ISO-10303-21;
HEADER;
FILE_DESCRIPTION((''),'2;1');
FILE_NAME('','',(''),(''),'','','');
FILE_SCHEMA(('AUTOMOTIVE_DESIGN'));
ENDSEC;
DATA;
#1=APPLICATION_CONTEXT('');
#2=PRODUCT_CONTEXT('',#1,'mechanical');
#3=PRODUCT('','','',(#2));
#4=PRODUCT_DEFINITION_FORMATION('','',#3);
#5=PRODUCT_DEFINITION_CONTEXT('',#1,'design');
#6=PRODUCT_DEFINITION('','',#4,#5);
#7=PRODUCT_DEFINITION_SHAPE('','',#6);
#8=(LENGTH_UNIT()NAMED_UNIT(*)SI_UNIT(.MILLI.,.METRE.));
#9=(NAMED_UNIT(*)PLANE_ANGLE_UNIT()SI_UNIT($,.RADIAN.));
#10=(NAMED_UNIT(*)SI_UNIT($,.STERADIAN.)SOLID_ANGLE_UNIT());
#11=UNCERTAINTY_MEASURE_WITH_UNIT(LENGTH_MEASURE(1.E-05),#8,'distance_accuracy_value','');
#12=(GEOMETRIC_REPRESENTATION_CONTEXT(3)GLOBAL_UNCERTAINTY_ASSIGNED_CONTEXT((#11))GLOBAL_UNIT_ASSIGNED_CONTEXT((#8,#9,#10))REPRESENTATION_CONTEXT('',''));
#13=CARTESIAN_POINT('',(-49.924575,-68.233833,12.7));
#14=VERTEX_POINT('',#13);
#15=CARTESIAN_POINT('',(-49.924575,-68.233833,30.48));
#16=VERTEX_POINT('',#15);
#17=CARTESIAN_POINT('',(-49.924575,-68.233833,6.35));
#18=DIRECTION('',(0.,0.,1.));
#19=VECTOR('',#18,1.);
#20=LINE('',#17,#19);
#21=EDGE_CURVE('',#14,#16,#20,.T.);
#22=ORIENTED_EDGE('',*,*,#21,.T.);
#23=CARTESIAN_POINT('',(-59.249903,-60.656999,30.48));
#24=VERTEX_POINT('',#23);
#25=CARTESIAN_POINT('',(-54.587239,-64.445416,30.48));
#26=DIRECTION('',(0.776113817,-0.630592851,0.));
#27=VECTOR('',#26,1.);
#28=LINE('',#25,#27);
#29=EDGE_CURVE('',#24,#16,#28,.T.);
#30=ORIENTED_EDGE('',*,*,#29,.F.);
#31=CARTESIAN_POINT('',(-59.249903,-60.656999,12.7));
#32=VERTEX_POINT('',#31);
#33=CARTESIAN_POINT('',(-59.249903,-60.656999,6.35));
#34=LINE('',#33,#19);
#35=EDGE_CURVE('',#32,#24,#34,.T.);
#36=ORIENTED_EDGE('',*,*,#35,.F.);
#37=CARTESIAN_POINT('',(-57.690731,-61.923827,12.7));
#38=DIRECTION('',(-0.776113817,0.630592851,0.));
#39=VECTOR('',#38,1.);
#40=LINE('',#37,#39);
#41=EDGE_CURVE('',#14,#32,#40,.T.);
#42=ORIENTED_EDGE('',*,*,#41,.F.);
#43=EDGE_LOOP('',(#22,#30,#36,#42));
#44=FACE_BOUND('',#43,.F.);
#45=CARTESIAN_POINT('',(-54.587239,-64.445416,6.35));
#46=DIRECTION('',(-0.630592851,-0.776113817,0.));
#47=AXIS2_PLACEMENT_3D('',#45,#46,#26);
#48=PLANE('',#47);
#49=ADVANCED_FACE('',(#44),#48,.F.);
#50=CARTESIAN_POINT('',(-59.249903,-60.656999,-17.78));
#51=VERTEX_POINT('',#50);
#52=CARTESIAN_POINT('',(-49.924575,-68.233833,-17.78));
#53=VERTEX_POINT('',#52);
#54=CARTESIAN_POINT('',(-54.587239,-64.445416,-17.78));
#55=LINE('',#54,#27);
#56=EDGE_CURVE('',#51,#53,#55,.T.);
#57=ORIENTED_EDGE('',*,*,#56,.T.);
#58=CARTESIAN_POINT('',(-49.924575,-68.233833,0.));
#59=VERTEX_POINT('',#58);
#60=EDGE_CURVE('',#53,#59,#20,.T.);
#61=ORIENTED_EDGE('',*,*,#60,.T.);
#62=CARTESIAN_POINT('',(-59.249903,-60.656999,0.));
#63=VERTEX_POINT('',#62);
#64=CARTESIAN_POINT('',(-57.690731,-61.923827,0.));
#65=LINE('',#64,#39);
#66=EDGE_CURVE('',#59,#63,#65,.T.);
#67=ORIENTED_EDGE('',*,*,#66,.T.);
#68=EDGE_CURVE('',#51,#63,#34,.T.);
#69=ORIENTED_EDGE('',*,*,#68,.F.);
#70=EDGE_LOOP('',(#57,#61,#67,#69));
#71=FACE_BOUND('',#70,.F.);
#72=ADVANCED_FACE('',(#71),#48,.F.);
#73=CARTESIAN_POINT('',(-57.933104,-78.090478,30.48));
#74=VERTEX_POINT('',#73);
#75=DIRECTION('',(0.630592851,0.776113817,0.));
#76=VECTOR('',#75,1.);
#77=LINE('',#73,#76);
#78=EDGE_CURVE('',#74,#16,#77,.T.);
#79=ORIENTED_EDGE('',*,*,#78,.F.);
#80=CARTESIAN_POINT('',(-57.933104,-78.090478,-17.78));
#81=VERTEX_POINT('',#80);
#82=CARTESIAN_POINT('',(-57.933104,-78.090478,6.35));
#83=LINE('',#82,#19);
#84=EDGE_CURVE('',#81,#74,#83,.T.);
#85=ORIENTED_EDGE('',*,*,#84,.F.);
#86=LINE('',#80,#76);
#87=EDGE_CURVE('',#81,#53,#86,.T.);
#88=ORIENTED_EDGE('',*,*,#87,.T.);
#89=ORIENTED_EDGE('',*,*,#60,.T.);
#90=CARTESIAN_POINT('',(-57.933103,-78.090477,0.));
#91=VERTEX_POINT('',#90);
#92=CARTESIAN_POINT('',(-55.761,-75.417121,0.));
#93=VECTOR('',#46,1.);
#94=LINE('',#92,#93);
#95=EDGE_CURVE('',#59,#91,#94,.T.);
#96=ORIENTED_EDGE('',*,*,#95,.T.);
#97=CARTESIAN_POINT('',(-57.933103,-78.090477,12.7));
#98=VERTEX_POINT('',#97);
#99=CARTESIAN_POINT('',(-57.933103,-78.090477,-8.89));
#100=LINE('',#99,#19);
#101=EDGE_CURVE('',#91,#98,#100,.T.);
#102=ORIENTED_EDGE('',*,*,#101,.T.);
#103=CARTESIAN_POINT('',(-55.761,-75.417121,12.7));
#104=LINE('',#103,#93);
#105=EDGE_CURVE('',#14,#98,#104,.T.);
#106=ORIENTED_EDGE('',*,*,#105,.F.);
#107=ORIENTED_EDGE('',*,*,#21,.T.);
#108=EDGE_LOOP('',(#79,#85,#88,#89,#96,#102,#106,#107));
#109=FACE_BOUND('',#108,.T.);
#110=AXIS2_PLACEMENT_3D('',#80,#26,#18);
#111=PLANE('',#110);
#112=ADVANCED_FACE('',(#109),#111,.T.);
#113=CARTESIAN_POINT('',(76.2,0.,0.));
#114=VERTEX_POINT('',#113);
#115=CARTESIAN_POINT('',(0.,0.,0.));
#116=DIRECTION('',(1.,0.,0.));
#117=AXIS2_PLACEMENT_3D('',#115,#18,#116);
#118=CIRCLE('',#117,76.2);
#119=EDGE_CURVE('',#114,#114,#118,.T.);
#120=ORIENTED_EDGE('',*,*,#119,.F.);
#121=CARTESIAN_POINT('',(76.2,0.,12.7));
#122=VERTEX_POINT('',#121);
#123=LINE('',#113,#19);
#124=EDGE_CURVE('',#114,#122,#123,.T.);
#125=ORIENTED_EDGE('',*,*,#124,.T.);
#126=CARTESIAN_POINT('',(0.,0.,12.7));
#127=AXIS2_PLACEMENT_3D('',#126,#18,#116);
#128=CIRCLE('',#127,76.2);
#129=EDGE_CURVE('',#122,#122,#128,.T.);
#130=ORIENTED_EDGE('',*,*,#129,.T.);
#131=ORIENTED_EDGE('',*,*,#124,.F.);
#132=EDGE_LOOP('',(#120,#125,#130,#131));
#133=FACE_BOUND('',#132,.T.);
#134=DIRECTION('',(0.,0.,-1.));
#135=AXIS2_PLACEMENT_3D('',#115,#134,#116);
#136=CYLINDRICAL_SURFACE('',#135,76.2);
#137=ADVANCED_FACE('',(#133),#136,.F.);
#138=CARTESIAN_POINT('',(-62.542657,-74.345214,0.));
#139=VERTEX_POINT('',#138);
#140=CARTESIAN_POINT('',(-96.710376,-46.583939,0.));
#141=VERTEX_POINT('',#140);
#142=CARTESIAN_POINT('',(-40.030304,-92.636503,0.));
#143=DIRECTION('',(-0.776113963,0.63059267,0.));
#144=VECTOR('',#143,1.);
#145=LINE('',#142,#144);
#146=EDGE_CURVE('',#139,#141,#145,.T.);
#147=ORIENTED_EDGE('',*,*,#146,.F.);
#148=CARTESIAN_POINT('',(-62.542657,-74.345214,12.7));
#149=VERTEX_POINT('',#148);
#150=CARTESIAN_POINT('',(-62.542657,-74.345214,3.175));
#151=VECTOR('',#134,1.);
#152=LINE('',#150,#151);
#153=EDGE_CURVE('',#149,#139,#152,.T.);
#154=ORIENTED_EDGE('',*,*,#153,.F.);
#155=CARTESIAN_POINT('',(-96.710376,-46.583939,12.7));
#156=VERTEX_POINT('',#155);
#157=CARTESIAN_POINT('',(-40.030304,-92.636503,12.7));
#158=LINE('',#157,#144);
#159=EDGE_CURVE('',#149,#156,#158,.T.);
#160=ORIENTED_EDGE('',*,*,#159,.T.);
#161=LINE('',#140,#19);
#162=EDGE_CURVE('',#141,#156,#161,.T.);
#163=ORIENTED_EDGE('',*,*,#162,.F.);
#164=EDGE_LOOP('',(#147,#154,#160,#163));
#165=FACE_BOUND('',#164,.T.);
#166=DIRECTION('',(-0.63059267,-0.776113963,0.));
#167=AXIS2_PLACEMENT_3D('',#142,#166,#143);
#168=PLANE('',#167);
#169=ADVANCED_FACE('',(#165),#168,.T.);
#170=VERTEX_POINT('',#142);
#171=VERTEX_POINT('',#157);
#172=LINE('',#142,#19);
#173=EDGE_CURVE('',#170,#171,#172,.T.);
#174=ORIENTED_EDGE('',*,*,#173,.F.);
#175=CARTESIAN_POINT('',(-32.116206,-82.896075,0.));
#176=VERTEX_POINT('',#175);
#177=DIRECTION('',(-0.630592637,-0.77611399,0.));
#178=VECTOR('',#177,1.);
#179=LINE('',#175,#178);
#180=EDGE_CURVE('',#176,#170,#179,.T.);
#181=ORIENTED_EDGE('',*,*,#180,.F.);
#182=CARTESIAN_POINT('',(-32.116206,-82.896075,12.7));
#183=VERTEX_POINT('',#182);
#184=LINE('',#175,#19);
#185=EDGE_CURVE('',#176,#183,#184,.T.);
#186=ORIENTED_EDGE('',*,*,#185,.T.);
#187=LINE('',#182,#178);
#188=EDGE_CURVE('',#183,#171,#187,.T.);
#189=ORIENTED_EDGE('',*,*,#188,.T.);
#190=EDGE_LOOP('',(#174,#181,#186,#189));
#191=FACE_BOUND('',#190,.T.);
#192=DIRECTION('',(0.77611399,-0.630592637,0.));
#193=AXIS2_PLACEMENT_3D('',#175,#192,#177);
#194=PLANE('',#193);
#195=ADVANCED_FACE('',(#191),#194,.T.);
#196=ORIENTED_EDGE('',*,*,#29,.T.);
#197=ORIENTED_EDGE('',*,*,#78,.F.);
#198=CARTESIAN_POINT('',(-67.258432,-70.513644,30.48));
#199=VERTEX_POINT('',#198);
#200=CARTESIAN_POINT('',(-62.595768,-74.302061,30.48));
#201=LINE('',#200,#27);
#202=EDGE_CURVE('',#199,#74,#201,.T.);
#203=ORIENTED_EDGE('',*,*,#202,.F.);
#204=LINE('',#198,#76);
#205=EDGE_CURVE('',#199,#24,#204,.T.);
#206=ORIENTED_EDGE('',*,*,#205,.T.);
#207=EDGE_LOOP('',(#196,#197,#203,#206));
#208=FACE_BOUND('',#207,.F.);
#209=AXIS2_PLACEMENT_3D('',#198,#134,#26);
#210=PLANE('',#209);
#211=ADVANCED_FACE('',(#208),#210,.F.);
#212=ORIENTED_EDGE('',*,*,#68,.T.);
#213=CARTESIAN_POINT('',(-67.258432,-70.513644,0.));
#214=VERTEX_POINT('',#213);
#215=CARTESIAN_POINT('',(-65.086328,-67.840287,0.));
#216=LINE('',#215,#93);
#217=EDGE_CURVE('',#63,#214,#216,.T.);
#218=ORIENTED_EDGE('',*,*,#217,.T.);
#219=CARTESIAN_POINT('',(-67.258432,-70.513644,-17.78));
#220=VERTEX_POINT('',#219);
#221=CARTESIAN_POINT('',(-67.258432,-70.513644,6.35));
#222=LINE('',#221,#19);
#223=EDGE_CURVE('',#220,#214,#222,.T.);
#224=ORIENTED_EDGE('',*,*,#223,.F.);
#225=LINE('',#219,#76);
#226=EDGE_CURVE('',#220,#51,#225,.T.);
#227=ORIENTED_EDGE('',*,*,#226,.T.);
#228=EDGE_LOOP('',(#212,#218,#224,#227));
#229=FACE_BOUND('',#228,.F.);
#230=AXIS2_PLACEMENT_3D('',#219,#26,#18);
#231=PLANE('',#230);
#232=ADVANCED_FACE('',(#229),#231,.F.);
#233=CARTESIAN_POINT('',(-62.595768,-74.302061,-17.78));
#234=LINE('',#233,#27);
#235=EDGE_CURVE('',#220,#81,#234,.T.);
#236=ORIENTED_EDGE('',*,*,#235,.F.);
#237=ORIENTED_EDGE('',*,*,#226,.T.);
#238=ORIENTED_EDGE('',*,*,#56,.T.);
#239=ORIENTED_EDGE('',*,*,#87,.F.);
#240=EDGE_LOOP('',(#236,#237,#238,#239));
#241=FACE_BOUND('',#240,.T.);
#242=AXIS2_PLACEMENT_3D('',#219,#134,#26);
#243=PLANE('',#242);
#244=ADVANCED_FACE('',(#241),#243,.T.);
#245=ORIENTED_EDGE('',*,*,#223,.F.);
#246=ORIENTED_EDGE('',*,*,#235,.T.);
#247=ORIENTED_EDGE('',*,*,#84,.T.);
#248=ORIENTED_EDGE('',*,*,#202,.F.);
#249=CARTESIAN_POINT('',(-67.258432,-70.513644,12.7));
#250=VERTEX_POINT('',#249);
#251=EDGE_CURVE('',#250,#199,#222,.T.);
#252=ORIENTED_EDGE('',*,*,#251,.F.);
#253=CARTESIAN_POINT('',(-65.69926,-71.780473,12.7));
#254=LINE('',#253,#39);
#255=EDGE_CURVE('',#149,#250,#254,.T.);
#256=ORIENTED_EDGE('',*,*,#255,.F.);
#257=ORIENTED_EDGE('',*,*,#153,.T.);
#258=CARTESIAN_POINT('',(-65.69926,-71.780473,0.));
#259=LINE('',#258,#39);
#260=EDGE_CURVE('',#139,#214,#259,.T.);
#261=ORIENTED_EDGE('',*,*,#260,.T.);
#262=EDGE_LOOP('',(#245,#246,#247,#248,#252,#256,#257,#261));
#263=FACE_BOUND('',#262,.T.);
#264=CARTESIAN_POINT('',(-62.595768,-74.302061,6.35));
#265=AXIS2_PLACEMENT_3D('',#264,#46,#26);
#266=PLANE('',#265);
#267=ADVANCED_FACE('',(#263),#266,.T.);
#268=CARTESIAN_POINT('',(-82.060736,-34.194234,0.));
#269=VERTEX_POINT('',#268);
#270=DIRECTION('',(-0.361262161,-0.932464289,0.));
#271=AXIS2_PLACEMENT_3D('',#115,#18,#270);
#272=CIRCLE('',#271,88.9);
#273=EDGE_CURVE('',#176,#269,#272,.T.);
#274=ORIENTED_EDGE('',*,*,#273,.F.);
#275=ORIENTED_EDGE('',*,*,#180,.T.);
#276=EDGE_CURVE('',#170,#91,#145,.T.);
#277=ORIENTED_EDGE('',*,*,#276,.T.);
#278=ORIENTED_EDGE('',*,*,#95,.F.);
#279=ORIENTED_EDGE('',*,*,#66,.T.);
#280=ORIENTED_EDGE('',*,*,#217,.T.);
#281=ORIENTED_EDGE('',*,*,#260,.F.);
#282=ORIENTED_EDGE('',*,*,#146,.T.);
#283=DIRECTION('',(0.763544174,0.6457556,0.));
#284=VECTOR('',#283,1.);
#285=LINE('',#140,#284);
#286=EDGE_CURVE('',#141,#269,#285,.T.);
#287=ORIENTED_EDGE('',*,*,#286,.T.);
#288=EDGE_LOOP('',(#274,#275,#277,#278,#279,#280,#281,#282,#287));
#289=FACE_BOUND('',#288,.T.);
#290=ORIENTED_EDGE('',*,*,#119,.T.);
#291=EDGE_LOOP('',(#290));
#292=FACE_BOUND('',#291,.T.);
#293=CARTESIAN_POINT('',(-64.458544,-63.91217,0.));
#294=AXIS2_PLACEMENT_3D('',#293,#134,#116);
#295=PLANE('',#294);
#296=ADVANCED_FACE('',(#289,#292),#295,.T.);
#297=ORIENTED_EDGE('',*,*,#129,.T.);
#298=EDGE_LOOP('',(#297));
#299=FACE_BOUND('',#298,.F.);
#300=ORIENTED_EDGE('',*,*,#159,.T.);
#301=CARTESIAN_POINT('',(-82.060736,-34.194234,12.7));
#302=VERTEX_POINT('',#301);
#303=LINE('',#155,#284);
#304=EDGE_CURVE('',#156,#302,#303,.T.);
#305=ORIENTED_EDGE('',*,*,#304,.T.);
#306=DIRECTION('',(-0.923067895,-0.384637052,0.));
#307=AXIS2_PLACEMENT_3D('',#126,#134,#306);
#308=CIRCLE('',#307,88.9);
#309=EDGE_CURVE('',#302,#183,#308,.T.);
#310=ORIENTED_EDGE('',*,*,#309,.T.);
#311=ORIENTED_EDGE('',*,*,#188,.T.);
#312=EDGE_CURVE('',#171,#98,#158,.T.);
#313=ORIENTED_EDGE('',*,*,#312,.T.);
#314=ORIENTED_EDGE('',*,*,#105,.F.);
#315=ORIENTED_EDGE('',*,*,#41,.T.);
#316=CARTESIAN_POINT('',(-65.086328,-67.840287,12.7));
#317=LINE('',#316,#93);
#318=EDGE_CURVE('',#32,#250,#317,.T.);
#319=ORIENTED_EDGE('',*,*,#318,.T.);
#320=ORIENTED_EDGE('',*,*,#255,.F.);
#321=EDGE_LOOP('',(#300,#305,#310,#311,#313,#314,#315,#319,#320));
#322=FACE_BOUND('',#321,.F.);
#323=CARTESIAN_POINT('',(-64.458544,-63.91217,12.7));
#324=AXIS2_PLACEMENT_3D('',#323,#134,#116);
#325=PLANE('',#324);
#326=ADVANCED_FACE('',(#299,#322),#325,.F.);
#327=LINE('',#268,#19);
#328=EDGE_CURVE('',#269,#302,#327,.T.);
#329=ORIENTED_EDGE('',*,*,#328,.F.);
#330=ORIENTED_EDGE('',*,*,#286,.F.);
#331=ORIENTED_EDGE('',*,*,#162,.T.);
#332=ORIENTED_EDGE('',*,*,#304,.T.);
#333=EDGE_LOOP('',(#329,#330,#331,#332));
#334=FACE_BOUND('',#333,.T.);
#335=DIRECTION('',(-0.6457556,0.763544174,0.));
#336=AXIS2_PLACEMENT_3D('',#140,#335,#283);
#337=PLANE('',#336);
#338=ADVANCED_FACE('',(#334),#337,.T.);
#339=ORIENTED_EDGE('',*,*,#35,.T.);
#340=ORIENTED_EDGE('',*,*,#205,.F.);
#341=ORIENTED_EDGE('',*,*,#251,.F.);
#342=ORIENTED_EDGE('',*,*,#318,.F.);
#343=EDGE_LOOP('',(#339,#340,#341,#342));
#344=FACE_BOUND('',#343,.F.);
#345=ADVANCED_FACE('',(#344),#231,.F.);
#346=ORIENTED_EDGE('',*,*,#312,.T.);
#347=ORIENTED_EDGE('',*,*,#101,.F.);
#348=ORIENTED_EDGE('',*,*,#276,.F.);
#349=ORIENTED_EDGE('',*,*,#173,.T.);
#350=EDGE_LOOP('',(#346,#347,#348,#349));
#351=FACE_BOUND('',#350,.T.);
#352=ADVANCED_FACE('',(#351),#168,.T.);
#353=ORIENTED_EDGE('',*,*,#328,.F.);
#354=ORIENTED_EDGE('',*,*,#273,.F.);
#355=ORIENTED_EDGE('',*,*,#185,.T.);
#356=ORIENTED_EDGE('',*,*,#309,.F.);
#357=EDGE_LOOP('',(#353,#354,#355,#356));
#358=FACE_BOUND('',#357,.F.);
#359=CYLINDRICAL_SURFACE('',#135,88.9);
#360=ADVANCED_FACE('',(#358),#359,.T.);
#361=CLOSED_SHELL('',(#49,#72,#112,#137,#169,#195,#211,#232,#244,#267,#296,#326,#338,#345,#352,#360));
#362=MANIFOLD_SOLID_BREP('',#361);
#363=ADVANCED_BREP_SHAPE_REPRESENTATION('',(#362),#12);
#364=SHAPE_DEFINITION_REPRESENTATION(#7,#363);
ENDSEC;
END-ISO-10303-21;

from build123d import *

# Parameters (mm, degrees)
F0_R     = 88.9
F0_R_2   = 76.2
F1_DEPTH = 12.7
F3_DEPTH = 12.7
F4_W     = 12.015413
F4_H     = 48.26
F5_DEPTH = 12.7


with BuildPart() as f1:
    # F0 (on Top) → F1 (new body)
    with BuildSketch(Plane.XY):
        Circle(F0_R)
        Circle(F0_R_2, mode=Mode.SUBTRACT)
    extrude(amount=F1_DEPTH)

    # F2 (on face) → F3 (join)
    with BuildSketch(Plane(origin=(0, 0, 0), x_dir=(1, 0, 0), z_dir=(0, 0, -1))):
        with BuildLine():
            Line((-96.710376, 46.583939), (-82.060736, 34.194234))
            ThreePointArc((-82.060736, 34.194234), (-59.732506, 61.256656), (-32.116206, 82.896075))
            Line((-32.116206, 82.896075), (-40.030304, 92.636503))
            Line((-40.030304, 92.636503), (-96.710376, 46.583939))
        make_face()
    extrude(amount=-F3_DEPTH)

    # F4 (on face) → F5 (join)
    with BuildSketch(Plane(origin=(-61.255331, -75.391167, 0), x_dir=(0.776114, -0.630593, 0), z_dir=(-0.630593, -0.776114, 0))):
        with Locations((-1.727114, 6.35)):
            Rectangle(F4_W, F4_H)
    extrude(amount=-F5_DEPTH)


solid = f1.part
